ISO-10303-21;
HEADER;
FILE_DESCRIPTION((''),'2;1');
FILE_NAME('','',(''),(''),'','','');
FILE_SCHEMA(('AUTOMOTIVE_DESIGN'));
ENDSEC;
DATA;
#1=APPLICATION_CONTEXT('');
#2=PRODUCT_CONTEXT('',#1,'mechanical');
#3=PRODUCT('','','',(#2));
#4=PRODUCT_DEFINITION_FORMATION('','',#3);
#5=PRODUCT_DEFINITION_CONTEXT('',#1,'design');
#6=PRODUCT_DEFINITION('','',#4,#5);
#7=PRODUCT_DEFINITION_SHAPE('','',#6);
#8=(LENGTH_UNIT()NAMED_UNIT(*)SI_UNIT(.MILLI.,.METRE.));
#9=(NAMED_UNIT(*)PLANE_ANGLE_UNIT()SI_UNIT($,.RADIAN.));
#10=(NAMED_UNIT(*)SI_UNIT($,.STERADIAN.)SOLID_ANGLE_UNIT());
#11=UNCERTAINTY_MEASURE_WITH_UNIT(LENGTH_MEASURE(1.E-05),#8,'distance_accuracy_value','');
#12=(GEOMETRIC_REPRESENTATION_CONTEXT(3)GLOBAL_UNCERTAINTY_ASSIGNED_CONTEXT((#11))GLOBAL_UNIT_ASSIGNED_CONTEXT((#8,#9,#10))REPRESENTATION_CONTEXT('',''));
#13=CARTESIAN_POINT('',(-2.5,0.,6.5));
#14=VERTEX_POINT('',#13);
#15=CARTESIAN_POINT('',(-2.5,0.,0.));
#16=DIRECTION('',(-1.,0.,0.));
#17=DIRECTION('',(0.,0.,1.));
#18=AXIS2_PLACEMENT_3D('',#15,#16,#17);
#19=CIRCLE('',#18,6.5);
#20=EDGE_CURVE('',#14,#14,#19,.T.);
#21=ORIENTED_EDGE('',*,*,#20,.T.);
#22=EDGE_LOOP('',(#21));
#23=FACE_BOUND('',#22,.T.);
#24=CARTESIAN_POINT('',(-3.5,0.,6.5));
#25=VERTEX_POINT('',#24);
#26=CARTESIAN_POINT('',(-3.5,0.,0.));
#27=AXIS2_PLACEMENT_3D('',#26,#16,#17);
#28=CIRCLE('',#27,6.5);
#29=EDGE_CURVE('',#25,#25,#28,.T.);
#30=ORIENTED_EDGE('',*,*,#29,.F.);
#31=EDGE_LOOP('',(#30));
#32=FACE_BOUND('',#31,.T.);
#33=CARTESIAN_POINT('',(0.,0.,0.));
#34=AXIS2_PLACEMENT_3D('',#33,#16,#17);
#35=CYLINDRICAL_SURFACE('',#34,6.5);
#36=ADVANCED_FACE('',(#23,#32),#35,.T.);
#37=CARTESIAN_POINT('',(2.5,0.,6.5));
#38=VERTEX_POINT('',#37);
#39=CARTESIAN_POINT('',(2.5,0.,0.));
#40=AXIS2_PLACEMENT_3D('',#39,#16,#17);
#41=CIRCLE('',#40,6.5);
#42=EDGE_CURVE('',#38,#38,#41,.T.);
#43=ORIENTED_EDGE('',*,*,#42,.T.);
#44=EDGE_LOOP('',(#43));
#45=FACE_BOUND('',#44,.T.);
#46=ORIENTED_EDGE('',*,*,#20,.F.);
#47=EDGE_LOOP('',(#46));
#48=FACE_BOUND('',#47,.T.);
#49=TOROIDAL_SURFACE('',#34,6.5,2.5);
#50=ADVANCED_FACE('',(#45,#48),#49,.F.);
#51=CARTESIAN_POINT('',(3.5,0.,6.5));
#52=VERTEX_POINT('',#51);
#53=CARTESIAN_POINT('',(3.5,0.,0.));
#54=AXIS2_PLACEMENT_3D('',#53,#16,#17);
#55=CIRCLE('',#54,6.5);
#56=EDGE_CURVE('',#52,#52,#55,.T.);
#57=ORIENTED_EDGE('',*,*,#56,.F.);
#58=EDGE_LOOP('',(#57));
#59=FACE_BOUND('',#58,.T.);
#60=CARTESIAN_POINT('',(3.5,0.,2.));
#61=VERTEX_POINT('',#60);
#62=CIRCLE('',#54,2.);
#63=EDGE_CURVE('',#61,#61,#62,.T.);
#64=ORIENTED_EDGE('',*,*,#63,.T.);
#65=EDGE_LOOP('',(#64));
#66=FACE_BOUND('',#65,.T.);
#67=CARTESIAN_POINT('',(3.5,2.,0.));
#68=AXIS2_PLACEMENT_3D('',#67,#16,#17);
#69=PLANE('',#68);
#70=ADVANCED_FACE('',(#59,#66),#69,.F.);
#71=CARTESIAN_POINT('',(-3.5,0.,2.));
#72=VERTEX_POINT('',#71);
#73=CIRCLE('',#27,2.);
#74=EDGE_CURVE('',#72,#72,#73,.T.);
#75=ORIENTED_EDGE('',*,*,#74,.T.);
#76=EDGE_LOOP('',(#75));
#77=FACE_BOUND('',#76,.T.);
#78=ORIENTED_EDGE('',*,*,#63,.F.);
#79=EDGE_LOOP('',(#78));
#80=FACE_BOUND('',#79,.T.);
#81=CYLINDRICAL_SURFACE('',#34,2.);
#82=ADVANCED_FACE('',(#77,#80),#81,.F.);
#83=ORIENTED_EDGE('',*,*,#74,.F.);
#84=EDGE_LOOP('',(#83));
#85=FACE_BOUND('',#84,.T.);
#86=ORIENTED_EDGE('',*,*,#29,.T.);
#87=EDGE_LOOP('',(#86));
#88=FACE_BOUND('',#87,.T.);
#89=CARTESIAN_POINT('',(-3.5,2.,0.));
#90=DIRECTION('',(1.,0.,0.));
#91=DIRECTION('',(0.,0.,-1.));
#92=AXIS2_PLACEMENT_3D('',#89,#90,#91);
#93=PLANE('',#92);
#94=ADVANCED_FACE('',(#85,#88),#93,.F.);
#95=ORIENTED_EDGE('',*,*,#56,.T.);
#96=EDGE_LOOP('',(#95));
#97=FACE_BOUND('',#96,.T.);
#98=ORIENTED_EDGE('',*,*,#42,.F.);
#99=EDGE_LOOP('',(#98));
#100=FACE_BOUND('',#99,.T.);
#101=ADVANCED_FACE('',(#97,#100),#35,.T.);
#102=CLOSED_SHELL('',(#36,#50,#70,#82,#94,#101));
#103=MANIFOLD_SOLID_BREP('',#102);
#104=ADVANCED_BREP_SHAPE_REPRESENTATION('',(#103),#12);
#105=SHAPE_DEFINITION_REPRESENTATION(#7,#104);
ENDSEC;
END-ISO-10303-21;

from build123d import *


with BuildPart() as part:
    # Sketch1 → Revolve1 (revolve)
    with BuildSketch(Plane.XY, mode=Mode.PRIVATE) as revolve1_sk:
        with BuildLine():
            Line((-3.5, 2), (-3.5, 6.5))
            Line((-3.5, 6.5), (-2.5, 6.5))
            ThreePointArc((-2.5, 6.5), (0, 4), (2.5, 6.5))
            Line((2.5, 6.5), (3.5, 6.5))
            Line((3.5, 6.5), (3.5, 2))
            Line((3.5, 2), (-3.5, 2))
        make_face()
    revolve(revolve1_sk.sketch.rotate(Axis((0, 0, 0), (1, 0, 0)), 90), axis=Axis((0, 0, 0), (1, 0, 0)))


solid = part.part
